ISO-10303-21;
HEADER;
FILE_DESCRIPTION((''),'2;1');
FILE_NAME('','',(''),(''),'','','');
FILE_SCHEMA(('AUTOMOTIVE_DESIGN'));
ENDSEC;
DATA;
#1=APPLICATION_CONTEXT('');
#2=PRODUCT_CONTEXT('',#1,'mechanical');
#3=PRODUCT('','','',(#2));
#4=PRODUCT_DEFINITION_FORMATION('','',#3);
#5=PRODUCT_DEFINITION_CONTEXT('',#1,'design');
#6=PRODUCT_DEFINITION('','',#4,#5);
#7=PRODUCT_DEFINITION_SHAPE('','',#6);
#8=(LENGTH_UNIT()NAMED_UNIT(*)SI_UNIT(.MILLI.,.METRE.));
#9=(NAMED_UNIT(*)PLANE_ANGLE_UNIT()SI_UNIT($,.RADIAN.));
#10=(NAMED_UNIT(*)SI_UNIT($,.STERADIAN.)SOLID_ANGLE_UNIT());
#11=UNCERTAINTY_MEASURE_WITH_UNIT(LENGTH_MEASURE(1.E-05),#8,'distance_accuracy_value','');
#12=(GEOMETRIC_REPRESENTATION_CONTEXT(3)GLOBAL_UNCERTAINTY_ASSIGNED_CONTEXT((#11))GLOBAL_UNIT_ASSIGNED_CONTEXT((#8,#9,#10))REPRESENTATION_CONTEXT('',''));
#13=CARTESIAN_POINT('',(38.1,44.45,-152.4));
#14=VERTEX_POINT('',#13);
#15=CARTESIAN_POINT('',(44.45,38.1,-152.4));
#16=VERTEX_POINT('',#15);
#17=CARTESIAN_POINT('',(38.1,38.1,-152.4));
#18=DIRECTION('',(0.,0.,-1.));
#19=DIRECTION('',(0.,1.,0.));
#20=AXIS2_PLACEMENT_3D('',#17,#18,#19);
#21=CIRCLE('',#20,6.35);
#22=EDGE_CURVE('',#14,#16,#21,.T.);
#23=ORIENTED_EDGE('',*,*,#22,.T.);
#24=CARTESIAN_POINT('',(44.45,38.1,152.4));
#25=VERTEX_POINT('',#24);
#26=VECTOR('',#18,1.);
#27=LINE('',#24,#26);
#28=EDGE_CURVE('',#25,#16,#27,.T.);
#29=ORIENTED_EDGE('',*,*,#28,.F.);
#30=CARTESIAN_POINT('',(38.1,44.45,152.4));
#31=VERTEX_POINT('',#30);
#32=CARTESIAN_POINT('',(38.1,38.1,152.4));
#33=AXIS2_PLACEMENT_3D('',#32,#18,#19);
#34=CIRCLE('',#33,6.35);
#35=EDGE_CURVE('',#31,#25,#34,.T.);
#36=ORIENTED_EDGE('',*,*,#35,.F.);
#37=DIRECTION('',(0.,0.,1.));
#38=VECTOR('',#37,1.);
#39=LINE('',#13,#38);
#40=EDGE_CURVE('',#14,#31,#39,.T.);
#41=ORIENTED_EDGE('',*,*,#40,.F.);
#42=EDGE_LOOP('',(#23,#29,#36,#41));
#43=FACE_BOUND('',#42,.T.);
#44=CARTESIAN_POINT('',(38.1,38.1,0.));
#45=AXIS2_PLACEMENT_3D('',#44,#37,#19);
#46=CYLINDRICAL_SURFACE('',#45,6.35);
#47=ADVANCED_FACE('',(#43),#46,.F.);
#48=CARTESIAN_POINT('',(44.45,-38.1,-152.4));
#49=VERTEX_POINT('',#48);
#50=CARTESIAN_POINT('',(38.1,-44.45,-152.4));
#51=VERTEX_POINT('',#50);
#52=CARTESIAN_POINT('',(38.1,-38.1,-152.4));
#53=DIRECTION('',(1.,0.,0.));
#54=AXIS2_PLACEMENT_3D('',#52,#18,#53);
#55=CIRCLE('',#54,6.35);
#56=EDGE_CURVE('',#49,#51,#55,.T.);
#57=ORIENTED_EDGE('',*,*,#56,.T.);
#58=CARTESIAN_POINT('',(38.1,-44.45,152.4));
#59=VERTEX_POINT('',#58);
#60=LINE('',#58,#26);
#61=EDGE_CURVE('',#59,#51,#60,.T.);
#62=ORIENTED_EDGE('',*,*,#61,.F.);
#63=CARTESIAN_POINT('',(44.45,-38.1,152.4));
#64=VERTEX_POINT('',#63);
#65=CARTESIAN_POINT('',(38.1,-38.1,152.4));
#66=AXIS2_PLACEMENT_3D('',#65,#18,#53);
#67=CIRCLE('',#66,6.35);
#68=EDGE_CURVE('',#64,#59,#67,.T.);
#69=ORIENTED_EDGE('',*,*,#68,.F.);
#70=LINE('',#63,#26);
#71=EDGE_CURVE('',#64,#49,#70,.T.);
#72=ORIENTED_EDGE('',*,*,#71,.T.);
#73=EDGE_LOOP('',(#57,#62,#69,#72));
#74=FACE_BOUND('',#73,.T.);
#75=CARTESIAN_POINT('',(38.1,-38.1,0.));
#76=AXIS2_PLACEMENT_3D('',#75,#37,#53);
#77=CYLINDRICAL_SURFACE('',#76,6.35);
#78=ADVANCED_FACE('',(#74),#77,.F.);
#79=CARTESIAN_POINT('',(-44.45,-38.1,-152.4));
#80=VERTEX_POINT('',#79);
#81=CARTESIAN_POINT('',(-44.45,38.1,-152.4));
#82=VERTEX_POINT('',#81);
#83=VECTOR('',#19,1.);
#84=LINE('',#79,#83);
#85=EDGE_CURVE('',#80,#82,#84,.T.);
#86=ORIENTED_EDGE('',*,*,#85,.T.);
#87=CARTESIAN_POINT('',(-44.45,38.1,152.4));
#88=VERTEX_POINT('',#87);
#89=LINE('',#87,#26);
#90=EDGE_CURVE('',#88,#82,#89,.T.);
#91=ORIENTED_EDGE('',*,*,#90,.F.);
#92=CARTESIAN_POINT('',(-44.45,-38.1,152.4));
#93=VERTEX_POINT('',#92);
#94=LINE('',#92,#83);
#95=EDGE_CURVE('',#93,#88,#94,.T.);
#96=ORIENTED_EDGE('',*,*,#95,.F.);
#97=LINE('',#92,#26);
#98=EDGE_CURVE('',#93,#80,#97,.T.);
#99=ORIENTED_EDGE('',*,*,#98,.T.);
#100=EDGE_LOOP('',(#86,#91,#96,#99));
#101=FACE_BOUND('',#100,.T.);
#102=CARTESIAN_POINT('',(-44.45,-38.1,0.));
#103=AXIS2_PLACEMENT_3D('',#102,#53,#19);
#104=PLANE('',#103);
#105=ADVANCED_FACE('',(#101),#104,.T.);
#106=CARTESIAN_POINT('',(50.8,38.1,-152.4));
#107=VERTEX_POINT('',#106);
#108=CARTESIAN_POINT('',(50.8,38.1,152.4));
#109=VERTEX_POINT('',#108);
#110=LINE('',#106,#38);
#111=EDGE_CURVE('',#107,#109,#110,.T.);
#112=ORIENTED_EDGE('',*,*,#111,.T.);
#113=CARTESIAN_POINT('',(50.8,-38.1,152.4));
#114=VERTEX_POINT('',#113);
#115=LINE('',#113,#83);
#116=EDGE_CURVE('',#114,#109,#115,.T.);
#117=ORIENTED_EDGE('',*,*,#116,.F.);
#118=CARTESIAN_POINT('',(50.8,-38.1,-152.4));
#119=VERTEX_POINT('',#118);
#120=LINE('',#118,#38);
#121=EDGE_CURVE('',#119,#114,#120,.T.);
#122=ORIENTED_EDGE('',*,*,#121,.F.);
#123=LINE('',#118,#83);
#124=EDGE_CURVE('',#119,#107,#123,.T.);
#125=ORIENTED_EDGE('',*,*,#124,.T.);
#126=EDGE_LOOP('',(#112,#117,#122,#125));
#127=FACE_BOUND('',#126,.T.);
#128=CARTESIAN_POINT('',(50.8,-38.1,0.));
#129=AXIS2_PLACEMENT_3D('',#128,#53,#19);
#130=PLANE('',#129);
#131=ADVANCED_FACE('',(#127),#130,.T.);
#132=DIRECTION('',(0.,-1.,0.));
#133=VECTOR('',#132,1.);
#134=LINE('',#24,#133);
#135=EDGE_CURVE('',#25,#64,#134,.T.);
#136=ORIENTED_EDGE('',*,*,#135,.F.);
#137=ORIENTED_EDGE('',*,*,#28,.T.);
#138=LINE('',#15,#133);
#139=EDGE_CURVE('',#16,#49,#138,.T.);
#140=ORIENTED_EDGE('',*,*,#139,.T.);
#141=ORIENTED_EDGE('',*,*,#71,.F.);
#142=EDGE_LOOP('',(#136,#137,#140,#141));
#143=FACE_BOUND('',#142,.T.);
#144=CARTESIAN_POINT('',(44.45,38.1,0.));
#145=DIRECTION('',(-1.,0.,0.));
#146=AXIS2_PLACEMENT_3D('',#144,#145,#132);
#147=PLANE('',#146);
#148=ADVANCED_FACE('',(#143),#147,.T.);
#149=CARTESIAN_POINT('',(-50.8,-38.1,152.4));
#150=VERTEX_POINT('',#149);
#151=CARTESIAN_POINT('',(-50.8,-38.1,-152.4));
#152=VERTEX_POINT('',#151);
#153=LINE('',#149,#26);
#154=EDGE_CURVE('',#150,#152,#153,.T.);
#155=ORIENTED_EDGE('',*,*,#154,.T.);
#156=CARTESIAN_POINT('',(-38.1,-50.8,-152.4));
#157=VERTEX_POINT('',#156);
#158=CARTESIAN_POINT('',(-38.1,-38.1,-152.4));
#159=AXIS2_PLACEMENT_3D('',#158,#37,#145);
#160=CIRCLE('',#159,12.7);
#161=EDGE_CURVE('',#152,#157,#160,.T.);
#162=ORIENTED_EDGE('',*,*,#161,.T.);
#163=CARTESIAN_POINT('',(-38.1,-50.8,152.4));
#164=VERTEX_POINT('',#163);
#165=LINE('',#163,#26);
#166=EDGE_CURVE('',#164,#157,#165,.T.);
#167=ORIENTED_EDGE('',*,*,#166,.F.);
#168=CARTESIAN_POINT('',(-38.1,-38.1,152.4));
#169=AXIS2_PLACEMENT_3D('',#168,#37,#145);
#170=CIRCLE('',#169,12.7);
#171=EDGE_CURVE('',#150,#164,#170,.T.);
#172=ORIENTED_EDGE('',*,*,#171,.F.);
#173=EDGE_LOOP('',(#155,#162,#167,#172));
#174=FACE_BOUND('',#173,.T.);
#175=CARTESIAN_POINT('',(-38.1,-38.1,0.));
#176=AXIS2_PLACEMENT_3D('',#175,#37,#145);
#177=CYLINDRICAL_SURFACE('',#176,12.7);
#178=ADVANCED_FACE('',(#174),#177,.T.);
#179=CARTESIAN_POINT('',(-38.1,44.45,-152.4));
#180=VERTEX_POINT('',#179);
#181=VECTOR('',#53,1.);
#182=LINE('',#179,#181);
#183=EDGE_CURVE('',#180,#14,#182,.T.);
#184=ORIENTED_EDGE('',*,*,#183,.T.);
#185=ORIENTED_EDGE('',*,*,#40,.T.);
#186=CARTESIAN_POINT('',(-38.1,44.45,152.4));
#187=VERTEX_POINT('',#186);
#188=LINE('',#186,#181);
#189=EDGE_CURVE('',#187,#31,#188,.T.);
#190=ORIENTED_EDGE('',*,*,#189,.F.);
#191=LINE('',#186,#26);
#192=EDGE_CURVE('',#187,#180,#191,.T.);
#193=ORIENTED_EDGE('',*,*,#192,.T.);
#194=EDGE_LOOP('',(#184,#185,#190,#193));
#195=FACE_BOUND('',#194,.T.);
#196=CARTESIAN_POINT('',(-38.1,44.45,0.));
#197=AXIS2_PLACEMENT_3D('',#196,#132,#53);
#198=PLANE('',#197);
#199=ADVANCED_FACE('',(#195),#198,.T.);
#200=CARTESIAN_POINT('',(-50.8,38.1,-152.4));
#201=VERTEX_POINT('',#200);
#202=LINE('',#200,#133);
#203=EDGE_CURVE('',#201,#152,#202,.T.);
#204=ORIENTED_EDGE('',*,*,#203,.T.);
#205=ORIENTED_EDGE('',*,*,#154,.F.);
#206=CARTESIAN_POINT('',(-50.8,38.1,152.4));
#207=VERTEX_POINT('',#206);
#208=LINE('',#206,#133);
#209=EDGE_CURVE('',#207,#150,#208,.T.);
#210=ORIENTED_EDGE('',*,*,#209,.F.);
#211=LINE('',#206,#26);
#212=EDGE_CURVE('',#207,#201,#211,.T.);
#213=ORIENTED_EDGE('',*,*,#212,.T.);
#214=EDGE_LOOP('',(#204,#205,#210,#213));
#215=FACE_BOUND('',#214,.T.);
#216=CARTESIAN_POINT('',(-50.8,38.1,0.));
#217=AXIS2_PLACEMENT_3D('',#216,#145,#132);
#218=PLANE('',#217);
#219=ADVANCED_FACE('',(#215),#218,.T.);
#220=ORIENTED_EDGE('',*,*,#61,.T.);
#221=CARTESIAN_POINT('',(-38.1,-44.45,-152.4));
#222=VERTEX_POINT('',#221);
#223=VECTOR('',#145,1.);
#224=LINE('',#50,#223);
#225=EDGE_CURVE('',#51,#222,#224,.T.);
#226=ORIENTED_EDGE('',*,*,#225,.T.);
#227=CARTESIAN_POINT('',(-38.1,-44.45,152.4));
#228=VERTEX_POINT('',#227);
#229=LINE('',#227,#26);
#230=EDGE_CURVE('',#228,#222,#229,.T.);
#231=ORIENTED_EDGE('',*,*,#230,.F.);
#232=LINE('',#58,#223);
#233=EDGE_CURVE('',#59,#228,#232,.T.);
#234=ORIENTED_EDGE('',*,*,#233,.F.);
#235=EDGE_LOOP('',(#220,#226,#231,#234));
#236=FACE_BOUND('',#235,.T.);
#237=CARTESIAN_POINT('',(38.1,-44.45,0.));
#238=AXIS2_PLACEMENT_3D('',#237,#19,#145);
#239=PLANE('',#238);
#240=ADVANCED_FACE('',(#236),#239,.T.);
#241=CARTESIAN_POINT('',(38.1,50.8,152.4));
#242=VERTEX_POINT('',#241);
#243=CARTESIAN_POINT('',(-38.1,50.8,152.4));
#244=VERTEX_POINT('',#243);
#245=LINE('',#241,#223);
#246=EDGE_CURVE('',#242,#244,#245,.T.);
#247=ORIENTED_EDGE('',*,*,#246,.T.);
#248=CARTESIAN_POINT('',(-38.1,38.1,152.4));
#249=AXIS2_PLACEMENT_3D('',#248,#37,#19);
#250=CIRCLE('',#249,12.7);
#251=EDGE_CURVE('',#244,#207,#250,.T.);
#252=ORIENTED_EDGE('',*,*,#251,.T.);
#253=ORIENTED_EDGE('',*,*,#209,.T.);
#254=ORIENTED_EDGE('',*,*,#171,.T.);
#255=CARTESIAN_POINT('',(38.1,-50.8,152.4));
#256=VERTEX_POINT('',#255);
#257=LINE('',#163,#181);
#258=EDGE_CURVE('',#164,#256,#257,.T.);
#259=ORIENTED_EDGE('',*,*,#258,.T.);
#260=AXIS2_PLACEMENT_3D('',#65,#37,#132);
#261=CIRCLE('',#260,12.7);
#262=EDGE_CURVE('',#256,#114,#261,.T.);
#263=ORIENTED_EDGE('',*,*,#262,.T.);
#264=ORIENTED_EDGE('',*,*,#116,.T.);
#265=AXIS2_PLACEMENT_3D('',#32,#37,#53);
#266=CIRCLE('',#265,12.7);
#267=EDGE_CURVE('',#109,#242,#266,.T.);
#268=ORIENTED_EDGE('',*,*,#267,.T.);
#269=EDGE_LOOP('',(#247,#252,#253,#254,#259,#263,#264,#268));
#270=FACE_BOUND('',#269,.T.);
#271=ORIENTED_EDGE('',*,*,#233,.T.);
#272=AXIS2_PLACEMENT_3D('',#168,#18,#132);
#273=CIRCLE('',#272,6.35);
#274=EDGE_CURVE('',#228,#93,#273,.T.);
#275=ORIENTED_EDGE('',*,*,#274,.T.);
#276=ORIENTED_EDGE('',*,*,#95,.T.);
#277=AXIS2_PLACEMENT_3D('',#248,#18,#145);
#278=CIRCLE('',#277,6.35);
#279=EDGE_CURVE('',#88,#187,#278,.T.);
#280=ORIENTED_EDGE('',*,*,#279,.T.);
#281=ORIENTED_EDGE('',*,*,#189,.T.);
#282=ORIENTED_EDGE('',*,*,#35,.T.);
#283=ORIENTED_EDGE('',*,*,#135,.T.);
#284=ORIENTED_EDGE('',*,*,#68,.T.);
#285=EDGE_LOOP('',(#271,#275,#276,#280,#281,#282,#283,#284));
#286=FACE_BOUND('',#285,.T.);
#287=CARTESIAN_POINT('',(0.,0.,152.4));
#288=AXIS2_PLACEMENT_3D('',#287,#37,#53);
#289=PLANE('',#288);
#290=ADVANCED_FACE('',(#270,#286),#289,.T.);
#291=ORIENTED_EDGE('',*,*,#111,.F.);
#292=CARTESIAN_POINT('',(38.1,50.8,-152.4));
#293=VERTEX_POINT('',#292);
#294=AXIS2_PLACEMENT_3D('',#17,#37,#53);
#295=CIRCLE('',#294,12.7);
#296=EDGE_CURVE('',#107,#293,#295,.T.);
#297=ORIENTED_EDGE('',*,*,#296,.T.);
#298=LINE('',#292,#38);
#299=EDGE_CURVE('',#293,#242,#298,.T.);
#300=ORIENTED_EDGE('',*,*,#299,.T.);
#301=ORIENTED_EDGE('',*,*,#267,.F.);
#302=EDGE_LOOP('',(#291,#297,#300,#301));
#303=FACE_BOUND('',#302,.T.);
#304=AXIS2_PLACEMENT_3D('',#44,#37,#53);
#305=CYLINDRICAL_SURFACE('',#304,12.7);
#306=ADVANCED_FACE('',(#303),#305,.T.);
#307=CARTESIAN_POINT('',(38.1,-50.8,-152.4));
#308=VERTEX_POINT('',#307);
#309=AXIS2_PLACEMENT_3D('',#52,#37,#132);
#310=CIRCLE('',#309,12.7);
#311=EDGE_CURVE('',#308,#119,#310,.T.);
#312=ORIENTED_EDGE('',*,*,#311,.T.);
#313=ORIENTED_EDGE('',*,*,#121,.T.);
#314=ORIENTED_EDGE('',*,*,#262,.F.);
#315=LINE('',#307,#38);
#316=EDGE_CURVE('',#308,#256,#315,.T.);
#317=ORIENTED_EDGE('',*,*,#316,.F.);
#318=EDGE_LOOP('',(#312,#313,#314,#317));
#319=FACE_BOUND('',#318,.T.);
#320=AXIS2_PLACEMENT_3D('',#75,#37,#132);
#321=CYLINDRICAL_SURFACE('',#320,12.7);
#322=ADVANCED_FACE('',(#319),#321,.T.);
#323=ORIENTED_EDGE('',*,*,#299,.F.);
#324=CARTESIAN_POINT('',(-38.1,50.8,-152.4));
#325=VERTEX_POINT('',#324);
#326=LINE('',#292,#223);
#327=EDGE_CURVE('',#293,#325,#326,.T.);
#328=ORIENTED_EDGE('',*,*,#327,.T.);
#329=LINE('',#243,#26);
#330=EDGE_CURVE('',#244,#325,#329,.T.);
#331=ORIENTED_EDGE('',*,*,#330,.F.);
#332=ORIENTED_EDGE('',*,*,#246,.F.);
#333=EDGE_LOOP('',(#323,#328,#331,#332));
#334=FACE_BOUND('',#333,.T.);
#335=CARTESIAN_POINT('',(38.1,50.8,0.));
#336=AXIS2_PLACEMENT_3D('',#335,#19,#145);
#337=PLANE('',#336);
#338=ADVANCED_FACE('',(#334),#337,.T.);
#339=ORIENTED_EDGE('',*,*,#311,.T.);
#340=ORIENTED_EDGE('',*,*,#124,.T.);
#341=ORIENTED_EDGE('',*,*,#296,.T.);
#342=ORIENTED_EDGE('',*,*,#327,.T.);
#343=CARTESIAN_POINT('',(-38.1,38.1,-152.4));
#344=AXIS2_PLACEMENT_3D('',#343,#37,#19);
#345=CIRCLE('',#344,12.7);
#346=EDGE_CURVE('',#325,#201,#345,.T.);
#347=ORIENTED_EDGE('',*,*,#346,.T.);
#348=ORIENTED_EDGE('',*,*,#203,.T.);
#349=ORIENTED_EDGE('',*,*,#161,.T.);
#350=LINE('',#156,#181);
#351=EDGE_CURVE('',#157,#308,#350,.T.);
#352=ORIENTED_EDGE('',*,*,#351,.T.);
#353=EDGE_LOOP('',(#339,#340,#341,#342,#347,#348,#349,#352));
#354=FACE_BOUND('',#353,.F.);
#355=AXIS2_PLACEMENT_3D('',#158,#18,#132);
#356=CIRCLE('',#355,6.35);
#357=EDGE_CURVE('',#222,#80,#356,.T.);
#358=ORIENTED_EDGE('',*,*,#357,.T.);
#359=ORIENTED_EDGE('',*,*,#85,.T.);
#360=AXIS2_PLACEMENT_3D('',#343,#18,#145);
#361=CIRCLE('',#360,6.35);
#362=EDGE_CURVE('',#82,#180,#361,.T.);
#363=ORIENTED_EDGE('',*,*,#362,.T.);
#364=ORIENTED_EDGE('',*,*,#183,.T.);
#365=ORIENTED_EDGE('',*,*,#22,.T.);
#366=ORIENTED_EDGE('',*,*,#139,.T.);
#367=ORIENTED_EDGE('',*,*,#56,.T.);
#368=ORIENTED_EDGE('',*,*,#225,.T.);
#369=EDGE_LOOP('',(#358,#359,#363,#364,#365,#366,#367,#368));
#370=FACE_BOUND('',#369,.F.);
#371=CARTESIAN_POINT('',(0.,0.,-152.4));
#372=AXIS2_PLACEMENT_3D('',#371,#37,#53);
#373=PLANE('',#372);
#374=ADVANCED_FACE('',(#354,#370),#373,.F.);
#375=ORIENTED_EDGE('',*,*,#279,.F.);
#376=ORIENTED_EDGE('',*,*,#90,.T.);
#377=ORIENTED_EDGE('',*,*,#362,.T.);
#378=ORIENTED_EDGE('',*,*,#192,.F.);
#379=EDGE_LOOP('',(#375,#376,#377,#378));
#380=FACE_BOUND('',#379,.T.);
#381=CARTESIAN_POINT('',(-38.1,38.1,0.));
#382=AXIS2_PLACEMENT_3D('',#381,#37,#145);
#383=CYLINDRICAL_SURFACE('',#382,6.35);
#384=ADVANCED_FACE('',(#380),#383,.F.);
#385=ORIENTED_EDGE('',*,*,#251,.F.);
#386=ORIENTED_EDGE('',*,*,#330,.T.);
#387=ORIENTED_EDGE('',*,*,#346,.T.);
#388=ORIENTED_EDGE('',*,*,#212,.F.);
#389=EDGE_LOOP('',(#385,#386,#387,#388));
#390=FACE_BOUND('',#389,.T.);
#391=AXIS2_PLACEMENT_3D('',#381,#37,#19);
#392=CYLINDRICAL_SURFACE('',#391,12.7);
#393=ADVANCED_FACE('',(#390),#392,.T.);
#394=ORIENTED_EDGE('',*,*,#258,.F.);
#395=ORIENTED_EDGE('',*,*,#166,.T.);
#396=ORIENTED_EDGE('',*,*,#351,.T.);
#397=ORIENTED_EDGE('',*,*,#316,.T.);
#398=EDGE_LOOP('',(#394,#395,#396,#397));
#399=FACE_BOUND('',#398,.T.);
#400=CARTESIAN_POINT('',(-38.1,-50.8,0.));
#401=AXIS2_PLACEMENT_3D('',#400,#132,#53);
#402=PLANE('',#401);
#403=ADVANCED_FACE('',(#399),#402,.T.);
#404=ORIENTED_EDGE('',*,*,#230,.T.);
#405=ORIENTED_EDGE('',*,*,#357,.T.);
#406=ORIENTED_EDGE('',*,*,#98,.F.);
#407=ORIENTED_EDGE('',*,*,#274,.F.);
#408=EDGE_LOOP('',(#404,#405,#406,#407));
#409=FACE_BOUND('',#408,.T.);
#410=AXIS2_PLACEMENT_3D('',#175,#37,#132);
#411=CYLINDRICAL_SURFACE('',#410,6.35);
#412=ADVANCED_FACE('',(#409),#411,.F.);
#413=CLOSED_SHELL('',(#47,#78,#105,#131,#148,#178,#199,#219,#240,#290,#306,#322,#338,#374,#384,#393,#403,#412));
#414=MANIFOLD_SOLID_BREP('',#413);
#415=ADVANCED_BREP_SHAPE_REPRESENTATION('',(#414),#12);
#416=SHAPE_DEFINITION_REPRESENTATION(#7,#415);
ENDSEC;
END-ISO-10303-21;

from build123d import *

# Parameters (mm, degrees)
F1_DEPTH = 152.4


with BuildPart() as f1:
    # F0 (on Top) → F1 (new body, symmetric)
    with BuildSketch(Plane.XY):
        with BuildLine():
            Line((-38.1, -50.8), (38.1, -50.8))
            ThreePointArc((38.1, -50.8), (47.0802561211, -47.0802561211), (50.8, -38.1))
            Line((50.8, -38.1), (50.8, 38.1))
            ThreePointArc((50.8, 38.1), (47.0802561211, 47.0802561211), (38.1, 50.8))
            Line((38.1, 50.8), (-38.1, 50.8))
            ThreePointArc((-38.1, 50.8), (-47.0802561211, 47.0802561211), (-50.8, 38.1))
            Line((-50.8, 38.1), (-50.8, -38.1))
            ThreePointArc((-50.8, -38.1), (-47.0802561211, -47.0802561211), (-38.1, -50.8))
        make_face()
        with BuildLine():
            ThreePointArc((38.1, 44.4499999285), (42.59012801, 42.59012801), (44.4499999285, 38.1))
            Line((44.4499999285, 38.1), (44.4499999285, -38.1))
            ThreePointArc((44.4499999285, -38.1), (42.59012801, -42.59012801), (38.1, -44.4499999285))
            Line((38.1, -44.4499999285), (-38.1, -44.4499999285))
            ThreePointArc((-38.1, -44.4499999285), (-42.59012801, -42.59012801), (-44.4499999285, -38.1))
            Line((-44.4499999285, -38.1), (-44.4499999285, 38.1))
            ThreePointArc((-44.4499999285, 38.1), (-42.59012801, 42.59012801), (-38.1, 44.4499999285))
            Line((-38.1, 44.4499999285), (38.1, 44.4499999285))
        make_face(mode=Mode.SUBTRACT)
    extrude(amount=F1_DEPTH, both=True)


solid = f1.part
